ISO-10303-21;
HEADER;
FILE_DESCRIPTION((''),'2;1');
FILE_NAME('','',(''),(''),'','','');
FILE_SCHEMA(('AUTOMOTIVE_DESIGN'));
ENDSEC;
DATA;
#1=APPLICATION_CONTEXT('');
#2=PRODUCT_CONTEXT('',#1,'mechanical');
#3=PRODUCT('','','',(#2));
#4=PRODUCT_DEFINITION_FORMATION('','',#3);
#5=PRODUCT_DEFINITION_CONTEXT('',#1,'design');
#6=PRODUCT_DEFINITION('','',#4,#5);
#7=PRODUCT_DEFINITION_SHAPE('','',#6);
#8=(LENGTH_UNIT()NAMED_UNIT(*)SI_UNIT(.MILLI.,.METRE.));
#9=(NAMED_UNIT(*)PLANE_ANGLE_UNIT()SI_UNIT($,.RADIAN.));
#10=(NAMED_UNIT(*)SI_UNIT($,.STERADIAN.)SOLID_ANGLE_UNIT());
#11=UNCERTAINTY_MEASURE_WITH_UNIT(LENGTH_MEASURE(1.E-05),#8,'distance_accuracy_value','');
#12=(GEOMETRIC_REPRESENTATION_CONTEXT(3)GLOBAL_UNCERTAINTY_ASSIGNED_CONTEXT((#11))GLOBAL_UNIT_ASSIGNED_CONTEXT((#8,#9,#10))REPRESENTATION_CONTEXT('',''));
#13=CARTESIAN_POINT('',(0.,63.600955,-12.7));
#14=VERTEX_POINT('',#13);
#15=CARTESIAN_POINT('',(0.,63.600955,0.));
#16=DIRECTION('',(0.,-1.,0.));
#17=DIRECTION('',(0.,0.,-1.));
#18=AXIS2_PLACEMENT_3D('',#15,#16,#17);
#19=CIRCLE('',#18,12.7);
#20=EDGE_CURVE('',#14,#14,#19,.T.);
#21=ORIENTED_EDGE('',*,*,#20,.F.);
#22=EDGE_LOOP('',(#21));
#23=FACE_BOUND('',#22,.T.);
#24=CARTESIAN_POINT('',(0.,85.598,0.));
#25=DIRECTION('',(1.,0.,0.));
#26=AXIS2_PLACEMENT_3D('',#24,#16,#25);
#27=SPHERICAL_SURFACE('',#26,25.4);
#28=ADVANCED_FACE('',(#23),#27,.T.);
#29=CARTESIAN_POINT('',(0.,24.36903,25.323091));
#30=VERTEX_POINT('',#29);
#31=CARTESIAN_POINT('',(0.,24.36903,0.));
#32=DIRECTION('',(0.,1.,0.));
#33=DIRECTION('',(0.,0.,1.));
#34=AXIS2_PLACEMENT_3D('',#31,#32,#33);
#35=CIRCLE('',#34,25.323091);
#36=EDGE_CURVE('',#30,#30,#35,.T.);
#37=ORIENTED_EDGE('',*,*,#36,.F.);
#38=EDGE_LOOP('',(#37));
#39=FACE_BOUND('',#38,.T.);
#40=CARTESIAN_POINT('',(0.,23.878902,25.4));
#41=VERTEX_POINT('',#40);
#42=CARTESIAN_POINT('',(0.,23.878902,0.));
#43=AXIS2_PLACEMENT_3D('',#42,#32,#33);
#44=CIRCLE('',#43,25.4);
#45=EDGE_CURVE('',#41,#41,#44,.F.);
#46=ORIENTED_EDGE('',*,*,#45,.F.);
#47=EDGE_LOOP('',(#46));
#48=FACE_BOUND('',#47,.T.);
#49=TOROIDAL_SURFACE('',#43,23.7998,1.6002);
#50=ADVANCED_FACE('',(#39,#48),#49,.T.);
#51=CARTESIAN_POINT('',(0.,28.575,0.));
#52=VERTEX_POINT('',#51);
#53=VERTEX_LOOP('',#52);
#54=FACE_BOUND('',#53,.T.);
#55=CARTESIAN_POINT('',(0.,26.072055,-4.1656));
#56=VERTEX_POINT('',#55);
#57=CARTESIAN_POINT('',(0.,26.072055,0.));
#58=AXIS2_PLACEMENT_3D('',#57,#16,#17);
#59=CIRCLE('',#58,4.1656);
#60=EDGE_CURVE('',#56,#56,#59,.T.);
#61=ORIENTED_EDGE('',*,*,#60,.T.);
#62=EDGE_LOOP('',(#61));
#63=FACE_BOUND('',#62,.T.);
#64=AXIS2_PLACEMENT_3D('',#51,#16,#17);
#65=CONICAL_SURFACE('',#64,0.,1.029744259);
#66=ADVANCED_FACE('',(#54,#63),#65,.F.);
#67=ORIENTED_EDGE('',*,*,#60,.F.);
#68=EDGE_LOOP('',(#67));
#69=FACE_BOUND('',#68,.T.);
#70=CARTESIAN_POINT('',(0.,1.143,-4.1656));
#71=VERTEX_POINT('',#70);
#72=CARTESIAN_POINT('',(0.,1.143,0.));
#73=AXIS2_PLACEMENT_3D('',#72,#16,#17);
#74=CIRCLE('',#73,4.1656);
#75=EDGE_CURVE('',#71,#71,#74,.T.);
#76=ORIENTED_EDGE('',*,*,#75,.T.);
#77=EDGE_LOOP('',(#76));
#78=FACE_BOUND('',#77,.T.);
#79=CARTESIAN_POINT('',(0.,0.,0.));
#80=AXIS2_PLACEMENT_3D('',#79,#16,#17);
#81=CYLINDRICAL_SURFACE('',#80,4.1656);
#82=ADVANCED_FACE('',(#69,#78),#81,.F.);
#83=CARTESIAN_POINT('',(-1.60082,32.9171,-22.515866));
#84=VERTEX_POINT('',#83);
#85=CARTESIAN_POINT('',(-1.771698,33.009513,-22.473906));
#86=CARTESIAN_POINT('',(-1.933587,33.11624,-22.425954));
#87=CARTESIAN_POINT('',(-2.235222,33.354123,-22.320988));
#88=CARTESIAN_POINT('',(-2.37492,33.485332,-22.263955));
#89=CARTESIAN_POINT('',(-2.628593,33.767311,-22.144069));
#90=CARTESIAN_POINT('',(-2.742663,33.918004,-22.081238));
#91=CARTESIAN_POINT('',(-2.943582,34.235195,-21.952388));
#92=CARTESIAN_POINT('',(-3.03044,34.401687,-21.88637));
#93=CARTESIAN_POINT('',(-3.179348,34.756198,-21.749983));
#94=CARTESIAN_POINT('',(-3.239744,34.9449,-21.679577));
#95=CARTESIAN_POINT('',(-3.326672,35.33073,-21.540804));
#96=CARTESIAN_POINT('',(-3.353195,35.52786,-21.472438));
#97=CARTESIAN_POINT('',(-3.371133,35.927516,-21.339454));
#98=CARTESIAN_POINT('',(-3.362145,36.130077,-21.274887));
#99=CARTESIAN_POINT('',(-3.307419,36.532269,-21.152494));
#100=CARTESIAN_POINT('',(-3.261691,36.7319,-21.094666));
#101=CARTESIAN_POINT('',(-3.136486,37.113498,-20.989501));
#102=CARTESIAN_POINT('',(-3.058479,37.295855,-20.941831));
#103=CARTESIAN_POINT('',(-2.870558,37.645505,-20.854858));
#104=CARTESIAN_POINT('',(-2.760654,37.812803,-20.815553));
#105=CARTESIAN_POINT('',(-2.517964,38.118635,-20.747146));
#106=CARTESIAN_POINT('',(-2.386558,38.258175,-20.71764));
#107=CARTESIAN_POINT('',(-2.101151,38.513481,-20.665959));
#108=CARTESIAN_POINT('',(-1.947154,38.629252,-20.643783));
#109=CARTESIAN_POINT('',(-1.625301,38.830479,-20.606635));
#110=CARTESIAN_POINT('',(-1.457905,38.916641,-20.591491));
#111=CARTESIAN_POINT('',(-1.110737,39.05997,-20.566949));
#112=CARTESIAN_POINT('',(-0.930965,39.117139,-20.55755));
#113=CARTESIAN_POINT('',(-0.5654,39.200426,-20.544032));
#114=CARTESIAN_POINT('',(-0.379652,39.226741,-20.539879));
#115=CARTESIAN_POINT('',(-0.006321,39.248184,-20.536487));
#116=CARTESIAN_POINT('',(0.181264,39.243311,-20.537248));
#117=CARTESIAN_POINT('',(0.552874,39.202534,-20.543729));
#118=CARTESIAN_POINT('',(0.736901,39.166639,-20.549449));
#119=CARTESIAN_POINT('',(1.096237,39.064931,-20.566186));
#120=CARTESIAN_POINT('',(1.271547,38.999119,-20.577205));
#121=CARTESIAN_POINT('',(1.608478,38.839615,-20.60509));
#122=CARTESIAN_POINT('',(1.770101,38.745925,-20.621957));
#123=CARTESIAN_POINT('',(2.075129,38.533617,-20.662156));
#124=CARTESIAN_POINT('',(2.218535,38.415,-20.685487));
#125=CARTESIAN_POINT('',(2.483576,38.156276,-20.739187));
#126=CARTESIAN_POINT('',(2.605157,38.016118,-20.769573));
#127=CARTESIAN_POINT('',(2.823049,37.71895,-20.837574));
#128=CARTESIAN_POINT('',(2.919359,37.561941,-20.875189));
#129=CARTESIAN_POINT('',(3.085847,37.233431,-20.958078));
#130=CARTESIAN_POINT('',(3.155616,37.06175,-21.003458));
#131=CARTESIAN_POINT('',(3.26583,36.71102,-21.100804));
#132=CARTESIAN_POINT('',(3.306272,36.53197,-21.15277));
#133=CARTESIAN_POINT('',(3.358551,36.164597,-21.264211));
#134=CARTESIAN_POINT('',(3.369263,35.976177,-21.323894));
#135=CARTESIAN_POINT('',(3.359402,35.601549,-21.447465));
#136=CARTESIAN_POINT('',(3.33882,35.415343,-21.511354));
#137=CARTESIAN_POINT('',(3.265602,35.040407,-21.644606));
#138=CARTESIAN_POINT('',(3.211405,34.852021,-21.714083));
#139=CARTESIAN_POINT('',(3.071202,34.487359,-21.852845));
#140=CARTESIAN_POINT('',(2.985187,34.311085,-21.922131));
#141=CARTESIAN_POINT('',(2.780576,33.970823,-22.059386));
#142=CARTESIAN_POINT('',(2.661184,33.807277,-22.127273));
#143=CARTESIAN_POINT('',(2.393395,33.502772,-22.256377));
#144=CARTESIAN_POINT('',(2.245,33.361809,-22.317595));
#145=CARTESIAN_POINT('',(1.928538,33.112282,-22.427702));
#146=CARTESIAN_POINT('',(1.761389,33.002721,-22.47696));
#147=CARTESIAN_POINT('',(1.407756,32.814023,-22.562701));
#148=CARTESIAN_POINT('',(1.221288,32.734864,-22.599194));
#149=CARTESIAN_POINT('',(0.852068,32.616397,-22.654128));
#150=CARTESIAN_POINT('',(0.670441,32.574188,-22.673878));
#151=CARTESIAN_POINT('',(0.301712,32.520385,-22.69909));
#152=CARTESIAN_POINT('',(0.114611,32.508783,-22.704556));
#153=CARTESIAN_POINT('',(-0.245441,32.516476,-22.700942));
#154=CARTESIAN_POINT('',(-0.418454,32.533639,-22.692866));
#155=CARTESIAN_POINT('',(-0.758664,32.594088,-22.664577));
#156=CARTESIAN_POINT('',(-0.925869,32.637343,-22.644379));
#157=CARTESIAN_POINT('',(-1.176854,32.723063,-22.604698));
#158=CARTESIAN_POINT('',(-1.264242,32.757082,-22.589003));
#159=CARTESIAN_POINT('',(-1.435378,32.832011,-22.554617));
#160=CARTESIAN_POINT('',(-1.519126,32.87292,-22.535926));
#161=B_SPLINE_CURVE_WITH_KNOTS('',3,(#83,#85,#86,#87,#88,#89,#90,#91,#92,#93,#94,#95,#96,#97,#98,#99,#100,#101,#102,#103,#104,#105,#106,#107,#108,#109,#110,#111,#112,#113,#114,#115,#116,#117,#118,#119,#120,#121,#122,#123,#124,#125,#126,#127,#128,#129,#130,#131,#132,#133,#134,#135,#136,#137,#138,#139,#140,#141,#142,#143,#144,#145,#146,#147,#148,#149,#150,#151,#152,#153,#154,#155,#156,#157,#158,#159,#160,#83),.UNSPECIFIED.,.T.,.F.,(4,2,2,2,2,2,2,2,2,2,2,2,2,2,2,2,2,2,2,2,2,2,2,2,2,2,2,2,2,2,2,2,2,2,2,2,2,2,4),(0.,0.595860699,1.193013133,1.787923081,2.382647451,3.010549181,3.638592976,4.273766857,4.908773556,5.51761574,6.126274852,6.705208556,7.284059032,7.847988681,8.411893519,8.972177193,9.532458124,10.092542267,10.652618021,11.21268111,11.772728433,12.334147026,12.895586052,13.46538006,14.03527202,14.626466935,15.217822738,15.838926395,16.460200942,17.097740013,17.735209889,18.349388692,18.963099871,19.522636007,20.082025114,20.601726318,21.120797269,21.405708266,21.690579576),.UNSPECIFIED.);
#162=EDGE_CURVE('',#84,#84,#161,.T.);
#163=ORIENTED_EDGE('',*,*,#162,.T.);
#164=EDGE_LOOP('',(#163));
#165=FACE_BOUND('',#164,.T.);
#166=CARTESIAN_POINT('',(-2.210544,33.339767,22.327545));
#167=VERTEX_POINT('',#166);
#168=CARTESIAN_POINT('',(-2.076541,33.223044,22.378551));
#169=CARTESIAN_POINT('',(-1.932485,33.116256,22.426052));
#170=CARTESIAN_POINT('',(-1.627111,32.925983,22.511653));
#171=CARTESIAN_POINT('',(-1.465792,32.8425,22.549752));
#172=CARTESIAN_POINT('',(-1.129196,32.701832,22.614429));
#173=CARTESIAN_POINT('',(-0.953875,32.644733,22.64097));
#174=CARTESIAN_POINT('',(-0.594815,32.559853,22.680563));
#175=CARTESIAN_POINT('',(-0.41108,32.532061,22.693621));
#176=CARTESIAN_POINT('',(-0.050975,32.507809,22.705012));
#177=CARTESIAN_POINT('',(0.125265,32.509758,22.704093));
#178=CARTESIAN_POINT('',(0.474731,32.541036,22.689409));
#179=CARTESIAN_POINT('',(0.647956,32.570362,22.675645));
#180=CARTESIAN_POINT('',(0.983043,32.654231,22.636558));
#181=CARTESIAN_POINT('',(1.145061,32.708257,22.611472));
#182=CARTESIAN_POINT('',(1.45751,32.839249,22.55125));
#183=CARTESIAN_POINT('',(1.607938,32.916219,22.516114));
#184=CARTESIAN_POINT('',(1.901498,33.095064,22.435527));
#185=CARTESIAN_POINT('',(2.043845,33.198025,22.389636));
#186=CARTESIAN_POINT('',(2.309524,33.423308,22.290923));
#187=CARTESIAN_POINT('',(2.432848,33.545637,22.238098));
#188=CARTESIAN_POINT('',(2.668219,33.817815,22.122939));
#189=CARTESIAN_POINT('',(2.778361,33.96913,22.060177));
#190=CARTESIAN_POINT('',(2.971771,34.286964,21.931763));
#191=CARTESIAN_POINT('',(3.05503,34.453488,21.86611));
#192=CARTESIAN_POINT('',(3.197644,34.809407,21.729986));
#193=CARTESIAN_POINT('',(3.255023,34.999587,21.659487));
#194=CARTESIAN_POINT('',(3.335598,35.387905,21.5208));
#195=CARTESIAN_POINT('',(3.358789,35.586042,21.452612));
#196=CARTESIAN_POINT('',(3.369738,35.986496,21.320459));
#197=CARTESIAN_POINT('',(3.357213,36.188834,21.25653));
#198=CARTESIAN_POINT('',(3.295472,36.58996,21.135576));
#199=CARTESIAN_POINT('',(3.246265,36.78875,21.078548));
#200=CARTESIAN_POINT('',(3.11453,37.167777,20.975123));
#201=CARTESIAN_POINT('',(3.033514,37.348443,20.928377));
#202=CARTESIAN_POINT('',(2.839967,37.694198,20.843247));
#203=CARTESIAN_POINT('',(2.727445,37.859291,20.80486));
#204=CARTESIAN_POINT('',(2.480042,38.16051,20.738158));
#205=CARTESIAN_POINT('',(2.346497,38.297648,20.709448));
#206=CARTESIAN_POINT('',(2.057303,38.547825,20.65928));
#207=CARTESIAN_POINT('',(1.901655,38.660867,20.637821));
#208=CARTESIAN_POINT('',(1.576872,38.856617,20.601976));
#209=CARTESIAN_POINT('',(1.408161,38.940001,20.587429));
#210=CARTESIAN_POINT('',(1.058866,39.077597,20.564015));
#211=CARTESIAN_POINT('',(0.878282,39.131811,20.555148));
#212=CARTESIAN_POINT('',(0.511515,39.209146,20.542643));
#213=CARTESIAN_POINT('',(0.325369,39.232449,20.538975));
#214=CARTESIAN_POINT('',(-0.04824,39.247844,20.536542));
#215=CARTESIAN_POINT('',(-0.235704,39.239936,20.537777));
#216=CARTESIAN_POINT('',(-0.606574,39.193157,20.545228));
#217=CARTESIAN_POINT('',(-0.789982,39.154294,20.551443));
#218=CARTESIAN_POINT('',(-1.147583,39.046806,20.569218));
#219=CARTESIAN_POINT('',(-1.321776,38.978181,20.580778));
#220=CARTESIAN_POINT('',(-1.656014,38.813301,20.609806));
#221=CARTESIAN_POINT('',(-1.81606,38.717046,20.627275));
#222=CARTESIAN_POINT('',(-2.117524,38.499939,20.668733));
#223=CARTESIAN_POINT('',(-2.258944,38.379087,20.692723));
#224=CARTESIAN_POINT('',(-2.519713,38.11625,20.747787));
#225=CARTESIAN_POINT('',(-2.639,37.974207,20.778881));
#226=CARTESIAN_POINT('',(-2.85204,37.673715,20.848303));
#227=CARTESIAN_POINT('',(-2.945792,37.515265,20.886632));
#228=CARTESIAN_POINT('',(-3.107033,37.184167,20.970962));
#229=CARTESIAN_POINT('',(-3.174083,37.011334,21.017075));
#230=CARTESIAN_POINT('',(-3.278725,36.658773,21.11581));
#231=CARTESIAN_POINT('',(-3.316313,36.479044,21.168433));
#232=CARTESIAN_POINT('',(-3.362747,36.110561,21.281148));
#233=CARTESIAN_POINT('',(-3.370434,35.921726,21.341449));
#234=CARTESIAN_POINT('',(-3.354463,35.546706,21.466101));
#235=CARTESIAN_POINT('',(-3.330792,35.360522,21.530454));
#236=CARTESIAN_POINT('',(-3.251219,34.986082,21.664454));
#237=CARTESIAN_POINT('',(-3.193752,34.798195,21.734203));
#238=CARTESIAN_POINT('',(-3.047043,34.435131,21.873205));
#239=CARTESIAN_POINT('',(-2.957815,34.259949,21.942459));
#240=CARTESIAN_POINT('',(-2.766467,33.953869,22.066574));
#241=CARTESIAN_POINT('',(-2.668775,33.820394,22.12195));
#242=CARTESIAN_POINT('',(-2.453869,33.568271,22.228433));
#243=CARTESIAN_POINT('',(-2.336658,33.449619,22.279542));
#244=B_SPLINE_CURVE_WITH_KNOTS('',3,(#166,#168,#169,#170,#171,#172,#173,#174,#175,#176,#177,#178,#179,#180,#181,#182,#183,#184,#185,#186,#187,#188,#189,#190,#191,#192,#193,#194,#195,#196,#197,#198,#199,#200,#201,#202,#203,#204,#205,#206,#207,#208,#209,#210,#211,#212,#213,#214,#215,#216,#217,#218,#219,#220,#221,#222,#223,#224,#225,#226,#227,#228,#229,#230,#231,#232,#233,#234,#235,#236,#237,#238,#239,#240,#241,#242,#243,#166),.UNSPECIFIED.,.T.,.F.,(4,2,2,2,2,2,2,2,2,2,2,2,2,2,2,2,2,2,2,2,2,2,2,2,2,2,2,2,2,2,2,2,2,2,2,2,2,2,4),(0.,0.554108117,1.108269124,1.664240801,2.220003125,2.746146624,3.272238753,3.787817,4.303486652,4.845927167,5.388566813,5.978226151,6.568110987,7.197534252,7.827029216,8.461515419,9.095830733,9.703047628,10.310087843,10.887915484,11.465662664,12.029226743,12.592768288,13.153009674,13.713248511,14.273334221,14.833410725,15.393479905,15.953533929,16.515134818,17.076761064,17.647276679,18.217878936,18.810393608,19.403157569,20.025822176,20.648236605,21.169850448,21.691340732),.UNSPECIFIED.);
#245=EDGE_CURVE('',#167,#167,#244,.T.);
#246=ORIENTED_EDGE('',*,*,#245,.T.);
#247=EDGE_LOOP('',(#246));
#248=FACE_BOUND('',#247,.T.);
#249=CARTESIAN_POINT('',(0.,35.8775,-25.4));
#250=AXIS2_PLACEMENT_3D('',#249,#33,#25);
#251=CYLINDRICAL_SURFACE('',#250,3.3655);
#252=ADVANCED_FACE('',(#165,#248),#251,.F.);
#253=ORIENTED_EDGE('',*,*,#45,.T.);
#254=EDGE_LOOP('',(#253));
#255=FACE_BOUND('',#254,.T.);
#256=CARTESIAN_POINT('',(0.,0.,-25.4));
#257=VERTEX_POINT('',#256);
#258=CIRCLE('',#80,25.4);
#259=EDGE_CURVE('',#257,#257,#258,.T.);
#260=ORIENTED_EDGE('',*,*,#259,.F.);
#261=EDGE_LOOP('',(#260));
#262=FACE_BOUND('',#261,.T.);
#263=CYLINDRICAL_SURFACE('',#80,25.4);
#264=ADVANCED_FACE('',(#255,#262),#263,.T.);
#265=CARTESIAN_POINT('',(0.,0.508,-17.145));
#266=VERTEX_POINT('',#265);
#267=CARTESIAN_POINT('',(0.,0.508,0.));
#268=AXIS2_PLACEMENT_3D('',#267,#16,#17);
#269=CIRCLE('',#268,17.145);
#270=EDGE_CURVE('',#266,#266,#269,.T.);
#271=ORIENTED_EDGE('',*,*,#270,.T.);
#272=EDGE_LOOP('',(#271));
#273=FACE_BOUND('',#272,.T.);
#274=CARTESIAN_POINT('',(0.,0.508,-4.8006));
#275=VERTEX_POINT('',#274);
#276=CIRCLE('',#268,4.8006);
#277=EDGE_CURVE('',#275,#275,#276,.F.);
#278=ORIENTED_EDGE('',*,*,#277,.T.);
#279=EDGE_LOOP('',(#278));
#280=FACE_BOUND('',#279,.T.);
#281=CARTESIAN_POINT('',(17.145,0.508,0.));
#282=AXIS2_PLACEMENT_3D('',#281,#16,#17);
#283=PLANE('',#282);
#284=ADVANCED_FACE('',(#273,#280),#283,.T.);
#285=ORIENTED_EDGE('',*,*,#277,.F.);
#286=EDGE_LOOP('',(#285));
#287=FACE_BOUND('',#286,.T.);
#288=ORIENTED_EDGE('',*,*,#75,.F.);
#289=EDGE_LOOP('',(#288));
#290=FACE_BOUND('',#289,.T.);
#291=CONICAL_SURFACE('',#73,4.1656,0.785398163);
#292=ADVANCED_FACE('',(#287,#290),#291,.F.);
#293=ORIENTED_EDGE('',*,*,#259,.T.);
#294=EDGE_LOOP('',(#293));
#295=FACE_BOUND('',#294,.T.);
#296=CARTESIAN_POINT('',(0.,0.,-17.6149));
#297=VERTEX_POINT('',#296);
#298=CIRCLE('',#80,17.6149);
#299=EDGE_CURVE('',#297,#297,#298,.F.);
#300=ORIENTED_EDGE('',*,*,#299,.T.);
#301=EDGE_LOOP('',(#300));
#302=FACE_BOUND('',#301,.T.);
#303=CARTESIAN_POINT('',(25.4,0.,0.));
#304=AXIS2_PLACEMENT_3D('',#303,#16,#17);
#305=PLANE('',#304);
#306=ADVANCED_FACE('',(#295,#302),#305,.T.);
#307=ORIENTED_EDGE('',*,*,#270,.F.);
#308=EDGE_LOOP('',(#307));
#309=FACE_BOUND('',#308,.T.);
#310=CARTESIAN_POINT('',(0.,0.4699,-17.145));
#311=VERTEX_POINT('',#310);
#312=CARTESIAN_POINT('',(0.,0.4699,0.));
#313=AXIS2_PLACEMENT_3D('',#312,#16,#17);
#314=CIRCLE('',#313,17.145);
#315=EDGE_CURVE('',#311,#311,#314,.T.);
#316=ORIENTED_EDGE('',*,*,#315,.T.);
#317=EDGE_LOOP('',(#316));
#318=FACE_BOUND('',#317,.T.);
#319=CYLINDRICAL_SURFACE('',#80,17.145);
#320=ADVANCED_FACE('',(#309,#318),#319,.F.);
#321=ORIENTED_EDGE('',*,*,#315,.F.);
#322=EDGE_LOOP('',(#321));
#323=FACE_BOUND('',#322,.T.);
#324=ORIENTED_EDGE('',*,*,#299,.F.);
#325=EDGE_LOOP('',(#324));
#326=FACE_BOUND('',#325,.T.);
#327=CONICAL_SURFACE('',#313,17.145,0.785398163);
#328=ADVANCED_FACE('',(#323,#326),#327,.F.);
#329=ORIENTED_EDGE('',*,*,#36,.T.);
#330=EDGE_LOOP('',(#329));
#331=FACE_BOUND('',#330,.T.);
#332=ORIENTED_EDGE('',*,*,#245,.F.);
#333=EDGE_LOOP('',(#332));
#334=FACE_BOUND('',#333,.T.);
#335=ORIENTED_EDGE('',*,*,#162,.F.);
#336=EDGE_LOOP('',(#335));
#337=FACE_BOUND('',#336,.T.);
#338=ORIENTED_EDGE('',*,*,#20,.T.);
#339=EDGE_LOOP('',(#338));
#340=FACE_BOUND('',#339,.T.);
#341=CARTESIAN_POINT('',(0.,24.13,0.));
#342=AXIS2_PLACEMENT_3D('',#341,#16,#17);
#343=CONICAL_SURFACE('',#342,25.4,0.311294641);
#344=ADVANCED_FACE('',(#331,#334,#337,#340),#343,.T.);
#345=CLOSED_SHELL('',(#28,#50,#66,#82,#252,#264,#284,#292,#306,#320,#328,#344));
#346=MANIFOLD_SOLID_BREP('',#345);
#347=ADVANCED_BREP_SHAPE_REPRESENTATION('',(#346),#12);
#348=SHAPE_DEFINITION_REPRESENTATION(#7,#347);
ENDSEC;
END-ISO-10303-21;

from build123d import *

# Parameters (mm, degrees)
SKETCH2_R               = 3.3655
CUT_EXTRUDE1_DEPTH      = 26.4
CUT_EXTRUDE1_DEPTH_BACK = 26.4
FILLET1_R               = 1.6002
CHAMFER1_SIZE           = 0.4699
CHAMFER2_SIZE           = 0.635


with BuildPart() as part:
    # Sketch1 → Revolve1 (revolve)
    with BuildSketch(Plane.XY, mode=Mode.PRIVATE) as revolve1_sk:
        with BuildLine():
            Line((25.4, 0), (25.4, 24.13))
            Line((25.4, 24.13), (12.7, 63.600954744))
            ThreePointArc((12.7, 63.600954744), (24.534515988, 92.172003746), (0, 110.998))
            Line((0, 110.998), (0, 28.575))
            Line((0, 28.575), (4.1656, 26.072055005))
            Line((4.1656, 26.072055005), (4.1656, 0.508))
            Line((4.1656, 0.508), (17.145, 0.508))
            Line((17.145, 0.508), (17.145, 0))
            Line((17.145, 0), (25.4, 0))
        make_face()
    revolve(revolve1_sk.sketch.rotate(Axis((0, 0, 0), (0, 1, 0)), 90), axis=Axis((0, 0, 0), (0, 1, 0)))  # turned: the seam where the file's is

    # Sketch2 → Cut-Extrude1 (cut, two sides)
    with BuildSketch(Plane.XY) as cut_extrude1_sk:
        with Locations(Location((0, 35.8775, 0), (0, 0, 90.000000009))):  # turned: the seam where the file's is
            Circle(SKETCH2_R)
    extrude(amount=CUT_EXTRUDE1_DEPTH, mode=Mode.SUBTRACT)
    extrude(cut_extrude1_sk.sketch, amount=-CUT_EXTRUDE1_DEPTH_BACK, mode=Mode.SUBTRACT)

    # Fillet1
    fillet1_edges = [part.edges().sort_by_distance(p)[0] for p in [
        (0, 24.13, 25.4),
    ]]
    fillet(fillet1_edges, radius=FILLET1_R)

    # Chamfer1
    chamfer1_edges = [part.edges().sort_by_distance(p)[0] for p in [
        (0, 0, 17.145),
    ]]
    chamfer(chamfer1_edges, length=CHAMFER1_SIZE)

    # Chamfer2
    chamfer2_edges = [part.edges().sort_by_distance(p)[0] for p in [
        (0, 0.508, 4.1656),
    ]]
    chamfer(chamfer2_edges, length=CHAMFER2_SIZE)


solid = part.part
